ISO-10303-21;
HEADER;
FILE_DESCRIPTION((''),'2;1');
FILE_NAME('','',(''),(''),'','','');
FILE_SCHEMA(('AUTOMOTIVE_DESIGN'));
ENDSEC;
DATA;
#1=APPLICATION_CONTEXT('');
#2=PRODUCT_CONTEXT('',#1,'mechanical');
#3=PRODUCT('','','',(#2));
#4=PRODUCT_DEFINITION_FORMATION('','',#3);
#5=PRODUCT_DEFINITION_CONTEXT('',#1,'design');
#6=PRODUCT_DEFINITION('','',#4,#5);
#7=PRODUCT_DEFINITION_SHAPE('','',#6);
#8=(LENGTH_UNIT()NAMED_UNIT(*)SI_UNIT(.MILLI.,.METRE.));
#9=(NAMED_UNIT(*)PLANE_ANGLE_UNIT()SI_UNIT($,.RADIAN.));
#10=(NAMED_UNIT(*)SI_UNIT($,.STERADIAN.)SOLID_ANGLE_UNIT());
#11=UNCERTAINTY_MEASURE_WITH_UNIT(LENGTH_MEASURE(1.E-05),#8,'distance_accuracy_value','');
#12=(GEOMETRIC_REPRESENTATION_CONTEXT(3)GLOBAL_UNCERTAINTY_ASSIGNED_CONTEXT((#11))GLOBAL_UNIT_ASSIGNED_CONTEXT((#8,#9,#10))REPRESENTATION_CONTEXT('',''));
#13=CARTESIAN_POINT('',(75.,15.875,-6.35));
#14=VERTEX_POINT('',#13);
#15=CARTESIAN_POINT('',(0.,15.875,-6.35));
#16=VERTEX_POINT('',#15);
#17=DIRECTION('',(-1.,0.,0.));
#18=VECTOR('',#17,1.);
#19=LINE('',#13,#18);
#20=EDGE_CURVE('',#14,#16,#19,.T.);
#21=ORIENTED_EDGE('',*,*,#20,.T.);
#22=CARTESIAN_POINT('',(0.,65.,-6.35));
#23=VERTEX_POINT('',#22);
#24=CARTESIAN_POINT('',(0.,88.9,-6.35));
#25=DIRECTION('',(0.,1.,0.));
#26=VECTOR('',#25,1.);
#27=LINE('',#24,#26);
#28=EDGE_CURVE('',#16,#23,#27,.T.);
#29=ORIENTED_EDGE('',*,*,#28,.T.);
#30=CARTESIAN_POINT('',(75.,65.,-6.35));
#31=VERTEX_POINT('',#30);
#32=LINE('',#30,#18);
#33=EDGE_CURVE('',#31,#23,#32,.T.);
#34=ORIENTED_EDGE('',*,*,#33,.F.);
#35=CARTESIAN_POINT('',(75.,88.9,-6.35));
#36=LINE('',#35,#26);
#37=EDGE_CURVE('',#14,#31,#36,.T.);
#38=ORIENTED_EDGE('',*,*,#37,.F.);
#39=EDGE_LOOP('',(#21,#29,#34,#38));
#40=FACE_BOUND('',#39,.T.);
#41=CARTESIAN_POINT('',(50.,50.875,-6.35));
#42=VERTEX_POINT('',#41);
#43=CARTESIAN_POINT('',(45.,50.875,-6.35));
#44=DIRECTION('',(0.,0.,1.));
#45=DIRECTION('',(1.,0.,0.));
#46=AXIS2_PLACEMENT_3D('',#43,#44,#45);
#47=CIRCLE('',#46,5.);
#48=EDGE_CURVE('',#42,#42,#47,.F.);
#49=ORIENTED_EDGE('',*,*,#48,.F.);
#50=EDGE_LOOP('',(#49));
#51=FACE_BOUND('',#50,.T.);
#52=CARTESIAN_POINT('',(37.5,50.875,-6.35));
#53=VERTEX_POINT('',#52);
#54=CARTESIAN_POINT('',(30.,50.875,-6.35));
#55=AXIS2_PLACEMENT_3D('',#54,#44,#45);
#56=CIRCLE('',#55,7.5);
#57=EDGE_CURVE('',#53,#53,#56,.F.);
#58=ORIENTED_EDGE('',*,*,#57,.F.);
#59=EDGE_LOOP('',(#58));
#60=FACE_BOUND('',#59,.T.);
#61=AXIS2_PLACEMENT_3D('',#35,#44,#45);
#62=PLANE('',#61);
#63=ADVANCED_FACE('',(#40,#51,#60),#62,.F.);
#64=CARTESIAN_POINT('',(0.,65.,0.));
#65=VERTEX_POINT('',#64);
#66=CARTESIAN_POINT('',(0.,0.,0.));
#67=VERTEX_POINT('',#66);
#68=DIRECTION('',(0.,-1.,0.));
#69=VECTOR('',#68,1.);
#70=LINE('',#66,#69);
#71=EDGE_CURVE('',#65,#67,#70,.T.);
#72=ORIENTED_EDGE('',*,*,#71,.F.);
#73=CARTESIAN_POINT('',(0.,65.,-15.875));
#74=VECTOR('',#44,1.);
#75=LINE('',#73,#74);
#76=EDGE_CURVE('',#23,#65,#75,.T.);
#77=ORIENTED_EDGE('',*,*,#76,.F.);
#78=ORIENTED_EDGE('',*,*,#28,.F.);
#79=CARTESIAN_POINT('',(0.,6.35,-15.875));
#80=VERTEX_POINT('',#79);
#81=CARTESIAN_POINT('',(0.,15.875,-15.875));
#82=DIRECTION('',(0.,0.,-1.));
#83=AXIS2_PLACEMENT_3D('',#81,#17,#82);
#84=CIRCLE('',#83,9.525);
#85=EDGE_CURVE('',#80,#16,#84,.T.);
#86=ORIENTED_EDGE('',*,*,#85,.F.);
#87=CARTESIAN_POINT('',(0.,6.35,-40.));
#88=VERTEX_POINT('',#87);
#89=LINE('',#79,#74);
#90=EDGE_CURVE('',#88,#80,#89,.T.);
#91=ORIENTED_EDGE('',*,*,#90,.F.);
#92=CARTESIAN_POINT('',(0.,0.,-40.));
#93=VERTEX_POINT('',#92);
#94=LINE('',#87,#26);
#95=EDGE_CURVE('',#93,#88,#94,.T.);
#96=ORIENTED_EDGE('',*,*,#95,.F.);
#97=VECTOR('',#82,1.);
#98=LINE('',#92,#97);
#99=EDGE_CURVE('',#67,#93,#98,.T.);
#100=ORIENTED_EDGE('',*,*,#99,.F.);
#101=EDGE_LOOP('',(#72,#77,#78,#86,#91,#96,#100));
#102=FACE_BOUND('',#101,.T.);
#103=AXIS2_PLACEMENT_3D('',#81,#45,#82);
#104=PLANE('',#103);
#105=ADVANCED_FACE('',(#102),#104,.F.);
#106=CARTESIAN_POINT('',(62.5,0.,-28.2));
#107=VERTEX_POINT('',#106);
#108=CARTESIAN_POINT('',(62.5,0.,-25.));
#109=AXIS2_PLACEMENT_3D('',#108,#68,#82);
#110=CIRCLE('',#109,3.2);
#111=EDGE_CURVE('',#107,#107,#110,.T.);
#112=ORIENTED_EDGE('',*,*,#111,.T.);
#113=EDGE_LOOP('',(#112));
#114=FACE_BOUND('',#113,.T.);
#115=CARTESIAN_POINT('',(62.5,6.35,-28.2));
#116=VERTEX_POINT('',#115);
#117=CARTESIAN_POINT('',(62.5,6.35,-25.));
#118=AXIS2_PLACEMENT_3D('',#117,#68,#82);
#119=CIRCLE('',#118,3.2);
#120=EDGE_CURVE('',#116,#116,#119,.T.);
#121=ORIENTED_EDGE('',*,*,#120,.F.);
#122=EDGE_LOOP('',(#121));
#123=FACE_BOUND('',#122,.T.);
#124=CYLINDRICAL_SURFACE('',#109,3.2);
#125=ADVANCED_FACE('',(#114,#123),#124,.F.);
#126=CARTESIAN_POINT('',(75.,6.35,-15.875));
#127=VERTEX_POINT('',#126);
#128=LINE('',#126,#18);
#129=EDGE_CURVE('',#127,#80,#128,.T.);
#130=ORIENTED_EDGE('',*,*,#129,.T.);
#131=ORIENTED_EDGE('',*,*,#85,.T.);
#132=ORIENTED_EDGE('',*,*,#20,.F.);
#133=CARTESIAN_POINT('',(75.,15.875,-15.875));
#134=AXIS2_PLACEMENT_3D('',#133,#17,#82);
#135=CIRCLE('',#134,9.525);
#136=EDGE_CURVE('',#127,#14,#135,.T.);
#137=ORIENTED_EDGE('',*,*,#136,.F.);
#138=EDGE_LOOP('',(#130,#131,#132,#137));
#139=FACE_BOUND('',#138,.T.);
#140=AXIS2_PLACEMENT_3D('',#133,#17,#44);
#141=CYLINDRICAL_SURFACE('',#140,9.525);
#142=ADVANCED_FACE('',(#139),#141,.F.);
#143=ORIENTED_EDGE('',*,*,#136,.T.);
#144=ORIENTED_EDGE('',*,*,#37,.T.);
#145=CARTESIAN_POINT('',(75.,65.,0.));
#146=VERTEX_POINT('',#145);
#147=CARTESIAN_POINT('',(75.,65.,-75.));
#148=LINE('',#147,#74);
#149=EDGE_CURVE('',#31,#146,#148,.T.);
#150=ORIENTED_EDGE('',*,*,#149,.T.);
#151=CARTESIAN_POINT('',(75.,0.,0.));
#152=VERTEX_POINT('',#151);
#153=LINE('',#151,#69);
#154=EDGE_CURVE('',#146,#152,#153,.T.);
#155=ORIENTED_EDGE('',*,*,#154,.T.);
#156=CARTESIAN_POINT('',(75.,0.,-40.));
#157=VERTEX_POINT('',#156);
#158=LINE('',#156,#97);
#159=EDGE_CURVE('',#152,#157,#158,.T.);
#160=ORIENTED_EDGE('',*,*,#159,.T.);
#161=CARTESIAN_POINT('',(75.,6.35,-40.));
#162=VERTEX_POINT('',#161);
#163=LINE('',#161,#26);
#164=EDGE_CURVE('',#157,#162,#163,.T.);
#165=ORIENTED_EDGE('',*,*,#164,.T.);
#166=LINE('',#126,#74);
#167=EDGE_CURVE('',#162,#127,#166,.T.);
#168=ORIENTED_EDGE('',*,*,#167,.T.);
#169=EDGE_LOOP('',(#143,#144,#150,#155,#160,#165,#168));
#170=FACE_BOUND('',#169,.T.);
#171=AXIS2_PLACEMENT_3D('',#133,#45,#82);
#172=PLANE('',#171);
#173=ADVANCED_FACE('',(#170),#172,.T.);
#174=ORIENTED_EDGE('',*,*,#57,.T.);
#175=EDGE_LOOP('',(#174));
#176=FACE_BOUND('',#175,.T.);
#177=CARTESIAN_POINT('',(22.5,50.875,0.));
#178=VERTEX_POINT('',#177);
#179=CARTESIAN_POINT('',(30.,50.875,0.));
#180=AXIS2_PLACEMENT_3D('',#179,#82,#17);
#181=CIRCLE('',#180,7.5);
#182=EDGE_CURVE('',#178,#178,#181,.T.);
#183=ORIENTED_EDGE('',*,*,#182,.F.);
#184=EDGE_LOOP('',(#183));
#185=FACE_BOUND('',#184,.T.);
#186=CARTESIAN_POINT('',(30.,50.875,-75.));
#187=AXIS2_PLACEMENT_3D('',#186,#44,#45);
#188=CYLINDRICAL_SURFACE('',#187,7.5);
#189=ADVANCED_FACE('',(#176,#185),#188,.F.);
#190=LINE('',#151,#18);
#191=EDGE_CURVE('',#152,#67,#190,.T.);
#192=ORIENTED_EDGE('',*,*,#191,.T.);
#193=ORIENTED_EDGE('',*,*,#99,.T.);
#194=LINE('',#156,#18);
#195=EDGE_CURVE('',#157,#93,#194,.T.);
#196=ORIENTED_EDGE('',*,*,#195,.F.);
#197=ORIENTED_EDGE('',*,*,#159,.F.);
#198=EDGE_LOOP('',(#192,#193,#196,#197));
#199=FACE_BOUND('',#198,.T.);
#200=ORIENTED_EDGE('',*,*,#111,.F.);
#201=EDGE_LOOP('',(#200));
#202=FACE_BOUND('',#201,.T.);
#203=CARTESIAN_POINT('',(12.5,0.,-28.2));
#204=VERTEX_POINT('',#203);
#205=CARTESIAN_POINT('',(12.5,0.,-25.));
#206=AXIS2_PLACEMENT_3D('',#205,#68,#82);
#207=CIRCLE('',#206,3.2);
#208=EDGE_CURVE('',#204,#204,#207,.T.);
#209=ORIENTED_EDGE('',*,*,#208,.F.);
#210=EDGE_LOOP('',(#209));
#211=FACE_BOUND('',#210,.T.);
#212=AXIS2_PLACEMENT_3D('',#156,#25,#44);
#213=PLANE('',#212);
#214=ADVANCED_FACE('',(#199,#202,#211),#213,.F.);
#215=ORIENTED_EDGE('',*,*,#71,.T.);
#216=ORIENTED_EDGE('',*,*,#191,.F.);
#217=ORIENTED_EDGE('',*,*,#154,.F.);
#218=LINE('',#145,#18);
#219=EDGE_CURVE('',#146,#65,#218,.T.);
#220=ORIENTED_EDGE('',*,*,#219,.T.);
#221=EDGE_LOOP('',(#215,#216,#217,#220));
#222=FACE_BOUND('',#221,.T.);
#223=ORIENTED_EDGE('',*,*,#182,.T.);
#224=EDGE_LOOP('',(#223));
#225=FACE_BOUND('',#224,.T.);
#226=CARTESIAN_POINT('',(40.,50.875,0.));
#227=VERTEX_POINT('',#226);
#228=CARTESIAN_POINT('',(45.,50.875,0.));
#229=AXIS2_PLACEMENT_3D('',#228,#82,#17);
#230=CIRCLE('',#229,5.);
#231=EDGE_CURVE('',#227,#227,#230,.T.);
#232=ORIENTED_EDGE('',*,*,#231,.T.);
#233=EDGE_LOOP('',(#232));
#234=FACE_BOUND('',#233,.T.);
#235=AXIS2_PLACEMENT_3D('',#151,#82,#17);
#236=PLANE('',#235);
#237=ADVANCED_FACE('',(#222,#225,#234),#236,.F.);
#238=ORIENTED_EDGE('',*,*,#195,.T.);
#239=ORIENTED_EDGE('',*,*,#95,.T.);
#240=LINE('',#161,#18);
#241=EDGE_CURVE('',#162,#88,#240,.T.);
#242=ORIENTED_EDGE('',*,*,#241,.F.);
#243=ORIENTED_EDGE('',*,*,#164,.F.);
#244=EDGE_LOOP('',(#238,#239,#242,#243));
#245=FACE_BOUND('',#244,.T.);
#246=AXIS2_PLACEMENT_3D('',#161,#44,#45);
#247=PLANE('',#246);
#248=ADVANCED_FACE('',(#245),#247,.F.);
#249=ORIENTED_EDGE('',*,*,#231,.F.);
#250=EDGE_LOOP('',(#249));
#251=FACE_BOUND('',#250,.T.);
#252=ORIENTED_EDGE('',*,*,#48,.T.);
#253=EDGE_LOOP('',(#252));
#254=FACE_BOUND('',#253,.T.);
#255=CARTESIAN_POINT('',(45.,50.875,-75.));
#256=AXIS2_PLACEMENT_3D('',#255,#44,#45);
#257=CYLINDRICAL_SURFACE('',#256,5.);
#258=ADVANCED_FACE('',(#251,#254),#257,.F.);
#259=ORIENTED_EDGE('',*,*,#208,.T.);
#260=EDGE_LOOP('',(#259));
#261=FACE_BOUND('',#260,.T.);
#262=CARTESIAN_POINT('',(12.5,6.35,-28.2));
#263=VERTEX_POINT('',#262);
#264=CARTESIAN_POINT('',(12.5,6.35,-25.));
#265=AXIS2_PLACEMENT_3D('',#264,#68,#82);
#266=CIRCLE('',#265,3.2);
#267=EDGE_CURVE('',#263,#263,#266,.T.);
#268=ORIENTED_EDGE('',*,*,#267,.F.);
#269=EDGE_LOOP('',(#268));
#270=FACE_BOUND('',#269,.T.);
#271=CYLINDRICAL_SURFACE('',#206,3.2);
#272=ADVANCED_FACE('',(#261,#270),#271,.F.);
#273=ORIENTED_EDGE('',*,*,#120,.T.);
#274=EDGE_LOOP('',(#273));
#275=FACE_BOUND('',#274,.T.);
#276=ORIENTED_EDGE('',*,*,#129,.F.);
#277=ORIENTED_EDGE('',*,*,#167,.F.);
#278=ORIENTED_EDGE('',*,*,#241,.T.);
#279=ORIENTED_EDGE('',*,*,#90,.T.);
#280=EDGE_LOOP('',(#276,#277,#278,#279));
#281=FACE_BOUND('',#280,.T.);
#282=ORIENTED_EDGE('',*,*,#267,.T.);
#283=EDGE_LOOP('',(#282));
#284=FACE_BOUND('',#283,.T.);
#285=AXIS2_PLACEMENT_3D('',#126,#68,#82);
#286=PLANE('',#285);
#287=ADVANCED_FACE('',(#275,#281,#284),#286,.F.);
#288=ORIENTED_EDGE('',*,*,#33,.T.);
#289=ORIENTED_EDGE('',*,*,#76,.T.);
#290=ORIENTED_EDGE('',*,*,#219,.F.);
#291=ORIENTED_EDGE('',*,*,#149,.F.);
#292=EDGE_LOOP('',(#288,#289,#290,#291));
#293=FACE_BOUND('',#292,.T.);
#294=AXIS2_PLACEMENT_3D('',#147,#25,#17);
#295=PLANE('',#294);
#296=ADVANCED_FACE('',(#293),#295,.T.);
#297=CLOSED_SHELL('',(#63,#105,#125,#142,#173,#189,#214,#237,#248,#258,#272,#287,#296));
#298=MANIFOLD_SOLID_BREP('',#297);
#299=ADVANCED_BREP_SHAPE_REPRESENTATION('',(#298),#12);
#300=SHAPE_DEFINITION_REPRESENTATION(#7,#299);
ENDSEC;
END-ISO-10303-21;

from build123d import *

# Parameters (mm, degrees)
BOSS_EXTRUDE1_DEPTH  = 75
SKETCH2_R            = 7.5
SKETCH2_R_2          = 5
SKETCH2_W            = 75
SKETCH2_H            = 23.9
CUT_EXTRUDE1_DEPTH   = 75
M6_CLEARANCE_HOLE1_D = 6.4


with BuildPart() as part:
    # Sketch1 → Boss-Extrude1 (new body)
    with BuildSketch(Plane(origin=(0, 0, 0), x_dir=(0, 0, -1), z_dir=(1, 0, 0))):
        with BuildLine():
            Line((0, 0), (0, 88.9))
            Line((0, 88.9), (6.35, 88.9))
            Line((6.35, 88.9), (6.35, 15.875))
            ThreePointArc((6.35, 15.875), (9.139807909, 9.139807909), (15.875, 6.35))
            Line((15.875, 6.35), (40, 6.35))
            Line((40, 6.35), (40, 0))
            Line((40, 0), (0, 0))
        make_face()
    extrude(amount=BOSS_EXTRUDE1_DEPTH)

    # Sketch2 → Cut-Extrude1 (cut)
    with BuildSketch(Plane(origin=(0, 0, 0), x_dir=(-1, 0, 0), z_dir=(0, 0, -1))):
        with Locations((-30, 50.875)):
            Circle(SKETCH2_R)
        with Locations((-45, 50.875)):
            Circle(SKETCH2_R_2)
        with Locations((-37.5, 76.95)):
            Rectangle(SKETCH2_W, SKETCH2_H)
    extrude(amount=CUT_EXTRUDE1_DEPTH, mode=Mode.SUBTRACT)

    # M6 Clearance Hole1 (through all)
    with Locations(Plane(origin=(12.5, 0, -25), x_dir=(0, 0, -1), z_dir=(0, -1, 0))):
        with Locations((0, 0), (0, 50)):
            Hole(M6_CLEARANCE_HOLE1_D / 2)


solid = part.part
